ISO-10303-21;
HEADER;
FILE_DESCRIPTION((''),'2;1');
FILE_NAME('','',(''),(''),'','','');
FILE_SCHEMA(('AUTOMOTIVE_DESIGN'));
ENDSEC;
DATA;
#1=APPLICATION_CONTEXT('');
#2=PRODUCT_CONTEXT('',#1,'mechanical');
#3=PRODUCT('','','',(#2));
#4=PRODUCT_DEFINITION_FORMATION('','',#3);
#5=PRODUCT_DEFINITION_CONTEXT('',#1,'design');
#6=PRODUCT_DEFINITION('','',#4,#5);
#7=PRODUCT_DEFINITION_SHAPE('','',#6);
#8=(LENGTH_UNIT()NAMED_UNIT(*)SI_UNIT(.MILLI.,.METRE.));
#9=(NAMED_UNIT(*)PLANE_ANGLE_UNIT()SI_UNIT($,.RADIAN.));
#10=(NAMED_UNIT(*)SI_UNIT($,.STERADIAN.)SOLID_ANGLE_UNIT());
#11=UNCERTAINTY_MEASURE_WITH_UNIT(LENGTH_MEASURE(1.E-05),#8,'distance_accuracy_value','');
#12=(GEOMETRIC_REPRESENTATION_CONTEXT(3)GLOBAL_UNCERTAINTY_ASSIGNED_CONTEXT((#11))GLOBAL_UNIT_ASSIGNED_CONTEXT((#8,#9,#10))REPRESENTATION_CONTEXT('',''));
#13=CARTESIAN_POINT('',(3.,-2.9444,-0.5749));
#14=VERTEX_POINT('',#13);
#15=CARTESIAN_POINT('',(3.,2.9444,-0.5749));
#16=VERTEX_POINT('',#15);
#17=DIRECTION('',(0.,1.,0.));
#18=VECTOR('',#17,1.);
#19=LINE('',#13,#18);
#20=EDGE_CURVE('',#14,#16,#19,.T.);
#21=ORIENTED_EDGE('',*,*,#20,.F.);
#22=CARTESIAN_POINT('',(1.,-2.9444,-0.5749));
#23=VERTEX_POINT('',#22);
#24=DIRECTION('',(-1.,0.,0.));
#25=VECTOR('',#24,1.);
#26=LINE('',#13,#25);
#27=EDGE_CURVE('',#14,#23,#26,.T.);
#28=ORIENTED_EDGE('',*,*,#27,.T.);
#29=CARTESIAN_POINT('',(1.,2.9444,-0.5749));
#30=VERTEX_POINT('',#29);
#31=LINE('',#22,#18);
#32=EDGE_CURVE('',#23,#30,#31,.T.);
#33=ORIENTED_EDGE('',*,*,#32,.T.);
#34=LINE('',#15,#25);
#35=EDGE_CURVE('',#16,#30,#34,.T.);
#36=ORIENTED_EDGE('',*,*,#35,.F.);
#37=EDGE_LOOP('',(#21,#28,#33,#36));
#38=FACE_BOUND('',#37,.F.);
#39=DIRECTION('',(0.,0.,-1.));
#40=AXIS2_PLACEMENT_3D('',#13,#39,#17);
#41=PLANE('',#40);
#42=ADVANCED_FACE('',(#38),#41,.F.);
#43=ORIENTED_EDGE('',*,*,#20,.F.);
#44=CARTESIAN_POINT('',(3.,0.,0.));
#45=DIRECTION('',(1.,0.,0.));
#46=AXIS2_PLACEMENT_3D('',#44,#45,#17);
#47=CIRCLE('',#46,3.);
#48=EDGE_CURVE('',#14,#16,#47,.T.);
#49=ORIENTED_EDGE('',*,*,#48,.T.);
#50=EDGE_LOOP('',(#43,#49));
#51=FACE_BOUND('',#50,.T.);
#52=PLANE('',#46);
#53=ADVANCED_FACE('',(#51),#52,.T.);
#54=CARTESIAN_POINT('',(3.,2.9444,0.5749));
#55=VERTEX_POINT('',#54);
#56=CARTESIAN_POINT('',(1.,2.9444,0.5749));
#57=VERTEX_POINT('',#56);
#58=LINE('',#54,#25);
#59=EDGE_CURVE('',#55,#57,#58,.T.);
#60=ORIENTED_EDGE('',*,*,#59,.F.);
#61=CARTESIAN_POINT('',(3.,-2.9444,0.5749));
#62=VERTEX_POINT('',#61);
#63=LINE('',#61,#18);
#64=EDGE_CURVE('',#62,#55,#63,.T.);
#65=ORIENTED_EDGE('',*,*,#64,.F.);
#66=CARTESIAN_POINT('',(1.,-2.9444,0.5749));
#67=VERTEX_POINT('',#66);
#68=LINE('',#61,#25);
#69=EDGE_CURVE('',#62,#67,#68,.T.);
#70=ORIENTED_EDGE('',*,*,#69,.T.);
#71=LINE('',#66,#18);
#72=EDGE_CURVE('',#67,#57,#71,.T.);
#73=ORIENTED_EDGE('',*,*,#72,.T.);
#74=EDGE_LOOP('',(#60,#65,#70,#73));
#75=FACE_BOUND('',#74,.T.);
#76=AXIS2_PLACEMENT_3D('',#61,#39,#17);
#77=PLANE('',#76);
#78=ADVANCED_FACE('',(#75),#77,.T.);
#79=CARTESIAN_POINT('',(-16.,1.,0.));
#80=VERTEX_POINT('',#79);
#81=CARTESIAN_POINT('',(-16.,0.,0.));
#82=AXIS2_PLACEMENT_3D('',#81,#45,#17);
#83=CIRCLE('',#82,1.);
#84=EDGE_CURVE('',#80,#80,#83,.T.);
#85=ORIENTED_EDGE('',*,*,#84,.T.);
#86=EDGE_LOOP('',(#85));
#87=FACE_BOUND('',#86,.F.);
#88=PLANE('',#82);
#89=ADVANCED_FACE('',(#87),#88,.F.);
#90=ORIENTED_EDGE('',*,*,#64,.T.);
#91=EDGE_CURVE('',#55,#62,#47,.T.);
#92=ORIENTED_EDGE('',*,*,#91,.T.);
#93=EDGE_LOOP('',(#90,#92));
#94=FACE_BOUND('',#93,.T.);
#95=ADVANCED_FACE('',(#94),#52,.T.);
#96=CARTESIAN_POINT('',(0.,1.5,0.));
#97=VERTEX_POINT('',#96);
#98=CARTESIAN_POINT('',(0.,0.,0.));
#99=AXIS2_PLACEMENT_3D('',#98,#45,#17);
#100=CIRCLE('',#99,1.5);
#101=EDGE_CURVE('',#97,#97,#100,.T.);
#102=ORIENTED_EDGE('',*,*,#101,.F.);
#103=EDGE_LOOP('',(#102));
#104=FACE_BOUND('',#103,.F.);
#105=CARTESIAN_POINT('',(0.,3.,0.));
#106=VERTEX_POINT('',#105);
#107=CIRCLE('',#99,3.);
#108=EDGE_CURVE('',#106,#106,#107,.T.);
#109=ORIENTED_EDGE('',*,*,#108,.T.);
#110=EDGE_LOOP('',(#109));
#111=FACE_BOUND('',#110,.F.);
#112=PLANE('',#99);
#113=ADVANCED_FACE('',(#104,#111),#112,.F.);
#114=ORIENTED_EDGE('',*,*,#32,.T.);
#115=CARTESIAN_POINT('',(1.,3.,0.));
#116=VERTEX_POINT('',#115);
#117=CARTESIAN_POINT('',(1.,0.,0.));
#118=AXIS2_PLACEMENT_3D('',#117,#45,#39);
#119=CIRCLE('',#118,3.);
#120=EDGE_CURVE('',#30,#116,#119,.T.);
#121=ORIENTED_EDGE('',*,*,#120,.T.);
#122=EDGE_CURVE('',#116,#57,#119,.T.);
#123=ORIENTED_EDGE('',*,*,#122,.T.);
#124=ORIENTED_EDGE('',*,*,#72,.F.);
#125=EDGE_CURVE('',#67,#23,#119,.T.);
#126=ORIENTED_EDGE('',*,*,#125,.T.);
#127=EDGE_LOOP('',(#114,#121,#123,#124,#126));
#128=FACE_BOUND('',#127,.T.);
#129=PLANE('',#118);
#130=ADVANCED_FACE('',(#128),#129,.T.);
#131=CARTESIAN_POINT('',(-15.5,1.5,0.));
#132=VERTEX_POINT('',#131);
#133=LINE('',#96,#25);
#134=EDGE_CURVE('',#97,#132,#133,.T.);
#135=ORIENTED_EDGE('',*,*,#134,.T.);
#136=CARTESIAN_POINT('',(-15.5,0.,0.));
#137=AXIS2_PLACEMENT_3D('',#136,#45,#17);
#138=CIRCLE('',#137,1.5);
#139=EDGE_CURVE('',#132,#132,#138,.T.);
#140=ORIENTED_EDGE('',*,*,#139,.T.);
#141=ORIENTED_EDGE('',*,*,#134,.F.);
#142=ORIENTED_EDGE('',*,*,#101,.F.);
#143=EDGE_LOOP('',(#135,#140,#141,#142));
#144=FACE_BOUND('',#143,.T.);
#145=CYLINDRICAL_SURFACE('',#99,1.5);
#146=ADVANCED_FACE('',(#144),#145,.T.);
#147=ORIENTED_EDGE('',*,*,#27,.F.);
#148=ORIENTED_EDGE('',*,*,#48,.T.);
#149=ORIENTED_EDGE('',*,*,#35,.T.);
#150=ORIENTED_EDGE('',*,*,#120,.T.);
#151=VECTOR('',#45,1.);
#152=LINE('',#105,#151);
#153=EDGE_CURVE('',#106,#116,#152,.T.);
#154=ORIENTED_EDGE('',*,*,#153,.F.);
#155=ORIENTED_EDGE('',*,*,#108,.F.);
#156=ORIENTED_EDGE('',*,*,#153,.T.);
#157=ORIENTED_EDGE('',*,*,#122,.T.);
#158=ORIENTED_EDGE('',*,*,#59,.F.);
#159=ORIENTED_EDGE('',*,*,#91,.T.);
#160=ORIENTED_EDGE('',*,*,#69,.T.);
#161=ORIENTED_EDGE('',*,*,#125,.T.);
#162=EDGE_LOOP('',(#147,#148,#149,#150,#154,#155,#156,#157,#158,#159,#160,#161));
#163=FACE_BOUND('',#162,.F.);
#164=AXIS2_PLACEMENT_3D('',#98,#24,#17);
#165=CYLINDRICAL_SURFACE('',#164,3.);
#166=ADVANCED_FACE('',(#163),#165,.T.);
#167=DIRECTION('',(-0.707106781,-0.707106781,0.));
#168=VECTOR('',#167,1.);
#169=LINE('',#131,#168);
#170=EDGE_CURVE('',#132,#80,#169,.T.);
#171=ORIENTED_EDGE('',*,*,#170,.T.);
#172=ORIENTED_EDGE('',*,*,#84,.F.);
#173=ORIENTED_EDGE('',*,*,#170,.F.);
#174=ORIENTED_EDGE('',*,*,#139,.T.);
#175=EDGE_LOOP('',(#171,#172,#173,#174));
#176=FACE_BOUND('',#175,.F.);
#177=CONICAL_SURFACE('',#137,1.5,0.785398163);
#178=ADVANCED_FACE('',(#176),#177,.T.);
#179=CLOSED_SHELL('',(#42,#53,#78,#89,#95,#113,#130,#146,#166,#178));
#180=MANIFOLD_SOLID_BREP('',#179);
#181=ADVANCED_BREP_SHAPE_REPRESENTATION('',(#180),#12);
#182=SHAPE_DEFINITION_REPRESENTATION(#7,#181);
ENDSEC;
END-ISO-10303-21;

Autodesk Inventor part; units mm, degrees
ref_plane "YZ Plane" through (0, 0, 0) normal (1, 0, 0) x (0, 1, 0)
ref_plane "XZ Plane" through (0, 0, 0) normal (0, 1, 0) x (-1, 0, 0)
ref_plane "XY Plane" through (0, 0, 0) normal (0, 0, 1) x (1, 0, 0)
sketch "Sketch1" plane through (0, 0, 0) normal (1, 0, 0) x (0, 1, 0)
  circle A0 centre (0, 0) radius 1.5
  circle A1 centre (0, 0) radius 3
  dimension "d0" = 3
  dimension "d1" = 6
extrude "Extrusion1" add sketch "Sketch1" against normal blind 16 contours A0
extrude "Extrusion2" add sketch "Sketch1" along normal blind 3 contours A0 | A1
sketch "Sketch2" plane through (3, 0, 0) normal (1, 0, 0) x (0, 0, -1)
  circle A0 centre (0, 0) radius 3 projected
  circle A1 centre (0, 0) radius 3 projected
  line L0 (-0.5749, -2.9444) -> (-0.5749, 2.9444)
  line L1 (0.5749, -2.9444) -> (0.5749, 2.9444)
  line L2 (0, 0) -> (0, 3)
extrude "Extrusion3" cut sketch "Sketch2" against normal blind 2 contours L1 A0 L0
chamfer "Chamfer1" distance 0.5 angle 45 1 edges at (-16, -1.5, 0)
thread "Thread2" size "M3x0.5" class "6g" standard "ANSI Metric M Profile" full length
properties part number "screw_M3-10" material "Сталь, легированная"
